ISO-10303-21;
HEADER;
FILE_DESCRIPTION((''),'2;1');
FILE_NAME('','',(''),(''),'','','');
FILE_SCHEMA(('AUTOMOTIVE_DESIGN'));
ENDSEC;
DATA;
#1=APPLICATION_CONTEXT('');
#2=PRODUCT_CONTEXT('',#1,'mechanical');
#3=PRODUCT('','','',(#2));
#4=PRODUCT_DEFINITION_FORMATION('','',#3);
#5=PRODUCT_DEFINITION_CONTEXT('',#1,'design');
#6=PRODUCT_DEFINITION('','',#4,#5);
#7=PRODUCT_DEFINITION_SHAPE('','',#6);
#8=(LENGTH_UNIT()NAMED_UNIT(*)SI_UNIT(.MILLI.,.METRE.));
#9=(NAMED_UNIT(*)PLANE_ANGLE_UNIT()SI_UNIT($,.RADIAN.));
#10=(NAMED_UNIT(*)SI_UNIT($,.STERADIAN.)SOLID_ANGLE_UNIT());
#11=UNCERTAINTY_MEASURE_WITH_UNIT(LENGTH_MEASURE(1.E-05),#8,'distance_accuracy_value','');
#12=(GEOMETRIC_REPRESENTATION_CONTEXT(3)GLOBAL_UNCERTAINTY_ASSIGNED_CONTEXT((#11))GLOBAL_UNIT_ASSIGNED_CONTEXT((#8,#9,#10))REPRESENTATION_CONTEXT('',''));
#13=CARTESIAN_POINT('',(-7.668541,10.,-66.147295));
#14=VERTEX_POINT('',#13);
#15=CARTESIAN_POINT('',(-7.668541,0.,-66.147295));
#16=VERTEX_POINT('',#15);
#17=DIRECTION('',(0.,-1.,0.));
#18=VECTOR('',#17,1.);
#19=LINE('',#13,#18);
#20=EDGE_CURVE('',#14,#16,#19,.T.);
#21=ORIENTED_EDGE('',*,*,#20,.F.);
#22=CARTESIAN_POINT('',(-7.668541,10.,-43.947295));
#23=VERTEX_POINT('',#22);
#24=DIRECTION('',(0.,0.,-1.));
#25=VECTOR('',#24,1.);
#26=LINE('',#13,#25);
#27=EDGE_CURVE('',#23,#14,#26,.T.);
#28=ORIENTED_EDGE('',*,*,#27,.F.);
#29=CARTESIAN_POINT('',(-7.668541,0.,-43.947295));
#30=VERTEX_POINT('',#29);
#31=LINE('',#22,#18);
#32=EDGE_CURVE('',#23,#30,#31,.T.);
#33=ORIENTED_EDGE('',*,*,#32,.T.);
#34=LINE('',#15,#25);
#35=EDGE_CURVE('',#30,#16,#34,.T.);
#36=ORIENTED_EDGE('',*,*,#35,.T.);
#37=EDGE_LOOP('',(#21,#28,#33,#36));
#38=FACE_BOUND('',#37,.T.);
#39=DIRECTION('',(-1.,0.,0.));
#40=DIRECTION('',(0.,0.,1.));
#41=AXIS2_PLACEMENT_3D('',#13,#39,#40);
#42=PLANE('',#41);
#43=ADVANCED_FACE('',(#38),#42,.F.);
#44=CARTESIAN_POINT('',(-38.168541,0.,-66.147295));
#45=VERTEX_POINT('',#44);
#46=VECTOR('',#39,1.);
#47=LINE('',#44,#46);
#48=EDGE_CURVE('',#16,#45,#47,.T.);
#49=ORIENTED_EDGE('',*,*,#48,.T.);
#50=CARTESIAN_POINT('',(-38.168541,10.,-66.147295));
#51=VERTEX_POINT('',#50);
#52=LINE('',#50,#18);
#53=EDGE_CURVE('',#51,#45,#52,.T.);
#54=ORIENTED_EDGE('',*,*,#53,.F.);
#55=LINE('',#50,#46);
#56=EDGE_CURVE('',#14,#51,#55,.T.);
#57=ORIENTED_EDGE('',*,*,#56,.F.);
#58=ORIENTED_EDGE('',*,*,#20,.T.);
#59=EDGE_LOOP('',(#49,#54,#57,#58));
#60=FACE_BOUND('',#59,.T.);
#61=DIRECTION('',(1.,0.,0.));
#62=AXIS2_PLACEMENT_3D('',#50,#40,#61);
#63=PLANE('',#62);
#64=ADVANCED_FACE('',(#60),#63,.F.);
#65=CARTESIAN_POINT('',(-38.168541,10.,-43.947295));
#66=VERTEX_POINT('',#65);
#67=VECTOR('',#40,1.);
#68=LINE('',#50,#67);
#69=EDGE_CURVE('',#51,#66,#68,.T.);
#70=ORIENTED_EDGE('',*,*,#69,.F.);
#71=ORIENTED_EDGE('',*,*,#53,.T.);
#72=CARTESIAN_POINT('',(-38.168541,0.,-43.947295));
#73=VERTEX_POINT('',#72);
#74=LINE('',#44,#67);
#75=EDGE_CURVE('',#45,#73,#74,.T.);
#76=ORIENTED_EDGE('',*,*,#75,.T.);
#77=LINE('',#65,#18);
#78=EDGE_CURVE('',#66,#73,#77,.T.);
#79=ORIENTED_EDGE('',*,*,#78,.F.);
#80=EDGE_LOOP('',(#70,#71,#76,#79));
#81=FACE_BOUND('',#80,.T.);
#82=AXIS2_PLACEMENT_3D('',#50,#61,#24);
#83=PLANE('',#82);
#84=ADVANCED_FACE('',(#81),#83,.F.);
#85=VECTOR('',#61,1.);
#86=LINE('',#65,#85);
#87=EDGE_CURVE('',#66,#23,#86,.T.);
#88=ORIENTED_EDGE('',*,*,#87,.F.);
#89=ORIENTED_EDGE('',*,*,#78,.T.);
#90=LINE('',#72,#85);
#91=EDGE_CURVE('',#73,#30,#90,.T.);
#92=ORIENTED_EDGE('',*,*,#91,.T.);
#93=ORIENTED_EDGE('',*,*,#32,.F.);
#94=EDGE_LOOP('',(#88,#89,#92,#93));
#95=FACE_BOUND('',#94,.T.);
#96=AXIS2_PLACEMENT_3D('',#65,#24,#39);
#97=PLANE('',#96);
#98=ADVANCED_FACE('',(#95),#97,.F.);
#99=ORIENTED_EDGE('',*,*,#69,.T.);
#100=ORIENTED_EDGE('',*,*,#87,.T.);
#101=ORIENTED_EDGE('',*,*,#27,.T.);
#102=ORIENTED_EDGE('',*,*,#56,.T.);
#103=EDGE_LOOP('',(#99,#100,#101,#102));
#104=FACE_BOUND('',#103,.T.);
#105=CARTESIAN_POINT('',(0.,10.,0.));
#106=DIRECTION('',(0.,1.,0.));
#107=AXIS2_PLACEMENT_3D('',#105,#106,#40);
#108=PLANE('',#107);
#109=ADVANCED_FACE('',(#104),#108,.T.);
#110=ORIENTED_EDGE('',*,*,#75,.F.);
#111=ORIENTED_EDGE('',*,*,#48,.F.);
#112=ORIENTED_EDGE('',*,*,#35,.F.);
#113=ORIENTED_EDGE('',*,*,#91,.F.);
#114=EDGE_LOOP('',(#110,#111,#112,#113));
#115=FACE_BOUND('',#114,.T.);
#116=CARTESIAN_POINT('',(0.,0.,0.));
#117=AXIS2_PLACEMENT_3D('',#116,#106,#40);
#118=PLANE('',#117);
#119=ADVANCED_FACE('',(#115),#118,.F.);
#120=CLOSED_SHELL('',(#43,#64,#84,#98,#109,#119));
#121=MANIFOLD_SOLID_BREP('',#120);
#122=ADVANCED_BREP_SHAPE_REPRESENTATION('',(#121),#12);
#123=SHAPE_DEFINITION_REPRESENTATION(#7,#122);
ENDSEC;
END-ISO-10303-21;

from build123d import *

# Parameters (mm, degrees)
SKETCH1_W           = 30.5
SKETCH1_H           = 22.2
BOSS_EXTRUDE1_DEPTH = 10


with BuildPart() as part:
    # Sketch1 → Boss-Extrude1 (new body)
    with BuildSketch(Plane(origin=(0, 0, 0), x_dir=(1, 0, 0), z_dir=(0, 1, 0))):
        with Locations((-22.918541199, 55.047294642)):
            Rectangle(SKETCH1_W, SKETCH1_H)
    extrude(amount=BOSS_EXTRUDE1_DEPTH)


solid = part.part
